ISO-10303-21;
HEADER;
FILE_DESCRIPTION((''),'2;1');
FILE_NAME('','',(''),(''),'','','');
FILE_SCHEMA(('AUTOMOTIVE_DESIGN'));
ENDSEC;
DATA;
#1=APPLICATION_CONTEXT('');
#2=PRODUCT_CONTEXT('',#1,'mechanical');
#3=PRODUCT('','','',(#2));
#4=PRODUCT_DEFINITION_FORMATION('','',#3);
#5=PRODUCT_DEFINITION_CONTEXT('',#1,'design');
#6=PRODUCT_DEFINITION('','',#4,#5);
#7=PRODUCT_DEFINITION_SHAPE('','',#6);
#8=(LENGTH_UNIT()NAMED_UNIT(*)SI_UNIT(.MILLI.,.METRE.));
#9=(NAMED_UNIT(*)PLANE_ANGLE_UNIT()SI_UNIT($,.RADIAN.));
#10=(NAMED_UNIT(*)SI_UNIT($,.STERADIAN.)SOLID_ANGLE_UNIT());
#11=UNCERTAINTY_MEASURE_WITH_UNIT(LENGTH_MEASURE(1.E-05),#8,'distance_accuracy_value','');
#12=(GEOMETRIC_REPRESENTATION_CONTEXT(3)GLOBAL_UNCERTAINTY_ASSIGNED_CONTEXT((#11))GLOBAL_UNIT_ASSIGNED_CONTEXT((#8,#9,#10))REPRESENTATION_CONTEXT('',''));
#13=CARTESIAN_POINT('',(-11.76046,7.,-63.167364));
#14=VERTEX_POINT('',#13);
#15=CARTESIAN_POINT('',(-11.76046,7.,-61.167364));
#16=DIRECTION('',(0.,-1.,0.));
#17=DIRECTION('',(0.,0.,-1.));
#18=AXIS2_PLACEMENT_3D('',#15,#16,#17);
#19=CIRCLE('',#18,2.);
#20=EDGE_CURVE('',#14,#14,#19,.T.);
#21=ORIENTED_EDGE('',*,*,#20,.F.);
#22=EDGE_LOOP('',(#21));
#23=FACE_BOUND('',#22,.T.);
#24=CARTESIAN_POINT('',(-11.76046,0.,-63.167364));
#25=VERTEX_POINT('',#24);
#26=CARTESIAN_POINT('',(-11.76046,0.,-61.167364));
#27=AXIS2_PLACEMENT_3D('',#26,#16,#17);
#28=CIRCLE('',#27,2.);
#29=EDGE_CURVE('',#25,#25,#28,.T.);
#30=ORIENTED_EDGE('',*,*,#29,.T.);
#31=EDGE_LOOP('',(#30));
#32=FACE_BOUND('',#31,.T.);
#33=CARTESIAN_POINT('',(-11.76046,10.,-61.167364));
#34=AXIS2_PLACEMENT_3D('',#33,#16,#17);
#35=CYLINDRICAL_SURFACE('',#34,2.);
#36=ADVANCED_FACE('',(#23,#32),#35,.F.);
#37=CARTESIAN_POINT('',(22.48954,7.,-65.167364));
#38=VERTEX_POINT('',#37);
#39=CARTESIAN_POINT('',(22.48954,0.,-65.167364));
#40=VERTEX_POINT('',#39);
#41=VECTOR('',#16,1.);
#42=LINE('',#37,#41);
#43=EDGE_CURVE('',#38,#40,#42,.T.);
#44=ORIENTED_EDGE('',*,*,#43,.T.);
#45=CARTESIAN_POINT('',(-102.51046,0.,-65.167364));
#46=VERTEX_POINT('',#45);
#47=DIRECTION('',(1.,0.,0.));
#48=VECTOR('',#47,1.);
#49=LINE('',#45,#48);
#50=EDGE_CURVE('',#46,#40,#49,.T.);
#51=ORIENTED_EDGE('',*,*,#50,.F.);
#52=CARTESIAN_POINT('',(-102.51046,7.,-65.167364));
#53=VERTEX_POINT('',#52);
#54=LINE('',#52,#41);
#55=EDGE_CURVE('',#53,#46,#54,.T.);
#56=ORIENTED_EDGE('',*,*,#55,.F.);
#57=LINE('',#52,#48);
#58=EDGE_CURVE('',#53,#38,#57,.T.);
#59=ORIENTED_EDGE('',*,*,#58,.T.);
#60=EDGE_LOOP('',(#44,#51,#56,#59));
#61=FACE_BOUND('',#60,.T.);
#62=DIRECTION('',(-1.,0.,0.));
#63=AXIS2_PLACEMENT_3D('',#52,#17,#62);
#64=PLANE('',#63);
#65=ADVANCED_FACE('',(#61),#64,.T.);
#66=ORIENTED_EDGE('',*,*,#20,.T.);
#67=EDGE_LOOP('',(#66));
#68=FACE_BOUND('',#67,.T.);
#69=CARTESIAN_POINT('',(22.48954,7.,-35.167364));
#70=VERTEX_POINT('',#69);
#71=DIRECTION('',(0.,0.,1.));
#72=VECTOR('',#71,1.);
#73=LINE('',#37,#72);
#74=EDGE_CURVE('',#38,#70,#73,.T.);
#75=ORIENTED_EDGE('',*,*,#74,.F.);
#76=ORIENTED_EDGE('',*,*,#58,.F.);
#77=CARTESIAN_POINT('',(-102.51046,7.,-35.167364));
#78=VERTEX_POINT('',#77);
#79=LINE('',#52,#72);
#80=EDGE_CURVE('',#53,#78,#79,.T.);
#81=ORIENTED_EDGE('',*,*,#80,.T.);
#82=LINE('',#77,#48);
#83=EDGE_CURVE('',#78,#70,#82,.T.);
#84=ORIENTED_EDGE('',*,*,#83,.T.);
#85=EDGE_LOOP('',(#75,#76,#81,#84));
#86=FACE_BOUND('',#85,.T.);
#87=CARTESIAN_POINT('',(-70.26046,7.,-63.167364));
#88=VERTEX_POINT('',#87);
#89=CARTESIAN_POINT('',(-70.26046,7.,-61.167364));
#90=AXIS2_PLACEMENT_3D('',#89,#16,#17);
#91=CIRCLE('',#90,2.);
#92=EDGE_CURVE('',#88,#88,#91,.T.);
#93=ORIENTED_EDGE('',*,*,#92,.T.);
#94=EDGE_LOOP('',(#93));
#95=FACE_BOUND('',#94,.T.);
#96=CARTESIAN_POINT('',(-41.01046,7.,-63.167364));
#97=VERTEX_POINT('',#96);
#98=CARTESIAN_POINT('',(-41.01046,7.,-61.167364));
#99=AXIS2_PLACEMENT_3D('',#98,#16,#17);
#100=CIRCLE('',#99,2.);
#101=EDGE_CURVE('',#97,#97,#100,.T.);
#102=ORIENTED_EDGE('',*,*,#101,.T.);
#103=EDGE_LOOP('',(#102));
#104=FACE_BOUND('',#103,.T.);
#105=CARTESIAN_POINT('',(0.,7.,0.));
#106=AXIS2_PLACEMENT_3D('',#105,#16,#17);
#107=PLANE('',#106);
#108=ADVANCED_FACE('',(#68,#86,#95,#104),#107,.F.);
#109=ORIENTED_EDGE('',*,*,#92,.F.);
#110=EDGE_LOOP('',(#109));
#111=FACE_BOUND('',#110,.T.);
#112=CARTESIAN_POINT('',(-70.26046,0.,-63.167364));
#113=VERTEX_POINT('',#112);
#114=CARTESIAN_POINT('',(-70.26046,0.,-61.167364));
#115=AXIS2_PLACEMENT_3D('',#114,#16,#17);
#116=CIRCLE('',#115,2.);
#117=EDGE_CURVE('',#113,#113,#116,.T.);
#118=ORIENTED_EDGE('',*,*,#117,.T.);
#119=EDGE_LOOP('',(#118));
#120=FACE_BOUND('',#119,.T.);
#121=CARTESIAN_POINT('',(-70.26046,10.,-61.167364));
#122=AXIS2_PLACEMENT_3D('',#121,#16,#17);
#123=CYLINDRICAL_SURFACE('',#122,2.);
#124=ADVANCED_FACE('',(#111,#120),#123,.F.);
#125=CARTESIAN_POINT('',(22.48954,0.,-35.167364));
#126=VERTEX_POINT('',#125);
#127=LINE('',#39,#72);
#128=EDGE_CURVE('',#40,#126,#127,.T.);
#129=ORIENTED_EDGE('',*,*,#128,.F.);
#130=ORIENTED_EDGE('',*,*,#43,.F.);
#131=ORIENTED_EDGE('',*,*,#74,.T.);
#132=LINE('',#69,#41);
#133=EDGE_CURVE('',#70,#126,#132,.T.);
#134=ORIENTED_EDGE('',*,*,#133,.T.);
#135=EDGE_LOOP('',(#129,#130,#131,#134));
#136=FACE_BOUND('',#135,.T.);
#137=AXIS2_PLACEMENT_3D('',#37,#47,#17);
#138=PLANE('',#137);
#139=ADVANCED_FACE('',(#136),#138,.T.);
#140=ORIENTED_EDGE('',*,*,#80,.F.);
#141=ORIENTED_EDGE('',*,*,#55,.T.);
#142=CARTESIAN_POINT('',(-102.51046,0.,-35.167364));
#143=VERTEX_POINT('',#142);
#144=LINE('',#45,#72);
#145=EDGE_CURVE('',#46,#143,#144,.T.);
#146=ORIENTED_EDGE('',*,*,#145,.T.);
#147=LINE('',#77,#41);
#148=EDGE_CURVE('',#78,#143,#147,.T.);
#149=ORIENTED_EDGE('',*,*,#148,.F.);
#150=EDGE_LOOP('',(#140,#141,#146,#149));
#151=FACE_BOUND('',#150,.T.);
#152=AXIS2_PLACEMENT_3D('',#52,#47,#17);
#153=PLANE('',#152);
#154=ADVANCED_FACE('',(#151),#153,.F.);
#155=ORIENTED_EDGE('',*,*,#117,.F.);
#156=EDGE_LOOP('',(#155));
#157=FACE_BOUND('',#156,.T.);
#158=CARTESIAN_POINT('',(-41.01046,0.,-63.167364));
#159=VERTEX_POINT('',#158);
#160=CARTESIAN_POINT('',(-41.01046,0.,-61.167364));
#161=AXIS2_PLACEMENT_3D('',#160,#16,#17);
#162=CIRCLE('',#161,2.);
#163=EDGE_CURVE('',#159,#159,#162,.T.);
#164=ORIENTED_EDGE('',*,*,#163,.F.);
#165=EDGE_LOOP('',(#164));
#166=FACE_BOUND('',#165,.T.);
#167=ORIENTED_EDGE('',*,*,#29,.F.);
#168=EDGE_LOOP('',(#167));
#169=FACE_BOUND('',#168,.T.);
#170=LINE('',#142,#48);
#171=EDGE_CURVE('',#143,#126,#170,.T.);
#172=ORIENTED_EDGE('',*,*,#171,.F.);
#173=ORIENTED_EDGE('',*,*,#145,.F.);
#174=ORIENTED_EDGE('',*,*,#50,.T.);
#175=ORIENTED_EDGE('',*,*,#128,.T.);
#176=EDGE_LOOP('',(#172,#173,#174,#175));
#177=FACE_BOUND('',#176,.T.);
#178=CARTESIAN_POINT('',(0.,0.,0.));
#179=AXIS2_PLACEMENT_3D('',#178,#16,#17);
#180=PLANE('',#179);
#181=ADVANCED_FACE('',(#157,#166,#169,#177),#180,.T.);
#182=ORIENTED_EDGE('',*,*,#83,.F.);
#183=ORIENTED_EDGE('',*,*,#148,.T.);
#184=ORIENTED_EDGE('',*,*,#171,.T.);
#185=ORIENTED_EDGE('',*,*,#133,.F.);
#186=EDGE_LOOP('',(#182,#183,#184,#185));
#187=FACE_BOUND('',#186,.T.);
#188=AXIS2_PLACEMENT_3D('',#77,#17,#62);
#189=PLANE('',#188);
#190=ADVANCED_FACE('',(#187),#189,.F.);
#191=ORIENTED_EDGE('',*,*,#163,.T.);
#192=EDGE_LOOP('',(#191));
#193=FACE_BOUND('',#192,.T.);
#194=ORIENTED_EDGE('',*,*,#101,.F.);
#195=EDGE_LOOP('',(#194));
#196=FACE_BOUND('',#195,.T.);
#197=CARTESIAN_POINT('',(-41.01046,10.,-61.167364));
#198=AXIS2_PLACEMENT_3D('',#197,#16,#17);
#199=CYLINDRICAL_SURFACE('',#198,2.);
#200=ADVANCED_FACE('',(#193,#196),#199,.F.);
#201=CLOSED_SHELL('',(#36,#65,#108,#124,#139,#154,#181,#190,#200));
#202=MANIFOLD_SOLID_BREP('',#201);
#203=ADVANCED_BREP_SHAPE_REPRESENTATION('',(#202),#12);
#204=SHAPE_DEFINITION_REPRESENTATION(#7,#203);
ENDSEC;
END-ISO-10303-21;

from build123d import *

# Parameters (mm, degrees)
SKETCH1_W           = 125
SKETCH1_H           = 30
BOSS_EXTRUDE1_DEPTH = 7
SKETCH2_R           = 2
CUT_EXTRUDE1_DEPTH  = 10


with BuildPart() as part:
    # Sketch1 → Boss-Extrude1 (new body)
    with BuildSketch(Plane(origin=(0, 0, 0), x_dir=(1, 0, 0), z_dir=(0, 1, 0))):
        with Locations((-40.010460251, 50.167364017)):
            Rectangle(SKETCH1_W, SKETCH1_H)
    extrude(amount=BOSS_EXTRUDE1_DEPTH)

    # Sketch2 → Cut-Extrude1 (cut)
    with BuildSketch(Plane.XZ):
        with Locations((-70.260460251, -61.167364017)):
            Circle(SKETCH2_R)
        with Locations((-41.010460251, -61.167364017)):
            Circle(SKETCH2_R)
        with Locations((-11.760460251, -61.167364017)):
            Circle(SKETCH2_R)
    extrude(amount=-CUT_EXTRUDE1_DEPTH, mode=Mode.SUBTRACT)


solid = part.part
